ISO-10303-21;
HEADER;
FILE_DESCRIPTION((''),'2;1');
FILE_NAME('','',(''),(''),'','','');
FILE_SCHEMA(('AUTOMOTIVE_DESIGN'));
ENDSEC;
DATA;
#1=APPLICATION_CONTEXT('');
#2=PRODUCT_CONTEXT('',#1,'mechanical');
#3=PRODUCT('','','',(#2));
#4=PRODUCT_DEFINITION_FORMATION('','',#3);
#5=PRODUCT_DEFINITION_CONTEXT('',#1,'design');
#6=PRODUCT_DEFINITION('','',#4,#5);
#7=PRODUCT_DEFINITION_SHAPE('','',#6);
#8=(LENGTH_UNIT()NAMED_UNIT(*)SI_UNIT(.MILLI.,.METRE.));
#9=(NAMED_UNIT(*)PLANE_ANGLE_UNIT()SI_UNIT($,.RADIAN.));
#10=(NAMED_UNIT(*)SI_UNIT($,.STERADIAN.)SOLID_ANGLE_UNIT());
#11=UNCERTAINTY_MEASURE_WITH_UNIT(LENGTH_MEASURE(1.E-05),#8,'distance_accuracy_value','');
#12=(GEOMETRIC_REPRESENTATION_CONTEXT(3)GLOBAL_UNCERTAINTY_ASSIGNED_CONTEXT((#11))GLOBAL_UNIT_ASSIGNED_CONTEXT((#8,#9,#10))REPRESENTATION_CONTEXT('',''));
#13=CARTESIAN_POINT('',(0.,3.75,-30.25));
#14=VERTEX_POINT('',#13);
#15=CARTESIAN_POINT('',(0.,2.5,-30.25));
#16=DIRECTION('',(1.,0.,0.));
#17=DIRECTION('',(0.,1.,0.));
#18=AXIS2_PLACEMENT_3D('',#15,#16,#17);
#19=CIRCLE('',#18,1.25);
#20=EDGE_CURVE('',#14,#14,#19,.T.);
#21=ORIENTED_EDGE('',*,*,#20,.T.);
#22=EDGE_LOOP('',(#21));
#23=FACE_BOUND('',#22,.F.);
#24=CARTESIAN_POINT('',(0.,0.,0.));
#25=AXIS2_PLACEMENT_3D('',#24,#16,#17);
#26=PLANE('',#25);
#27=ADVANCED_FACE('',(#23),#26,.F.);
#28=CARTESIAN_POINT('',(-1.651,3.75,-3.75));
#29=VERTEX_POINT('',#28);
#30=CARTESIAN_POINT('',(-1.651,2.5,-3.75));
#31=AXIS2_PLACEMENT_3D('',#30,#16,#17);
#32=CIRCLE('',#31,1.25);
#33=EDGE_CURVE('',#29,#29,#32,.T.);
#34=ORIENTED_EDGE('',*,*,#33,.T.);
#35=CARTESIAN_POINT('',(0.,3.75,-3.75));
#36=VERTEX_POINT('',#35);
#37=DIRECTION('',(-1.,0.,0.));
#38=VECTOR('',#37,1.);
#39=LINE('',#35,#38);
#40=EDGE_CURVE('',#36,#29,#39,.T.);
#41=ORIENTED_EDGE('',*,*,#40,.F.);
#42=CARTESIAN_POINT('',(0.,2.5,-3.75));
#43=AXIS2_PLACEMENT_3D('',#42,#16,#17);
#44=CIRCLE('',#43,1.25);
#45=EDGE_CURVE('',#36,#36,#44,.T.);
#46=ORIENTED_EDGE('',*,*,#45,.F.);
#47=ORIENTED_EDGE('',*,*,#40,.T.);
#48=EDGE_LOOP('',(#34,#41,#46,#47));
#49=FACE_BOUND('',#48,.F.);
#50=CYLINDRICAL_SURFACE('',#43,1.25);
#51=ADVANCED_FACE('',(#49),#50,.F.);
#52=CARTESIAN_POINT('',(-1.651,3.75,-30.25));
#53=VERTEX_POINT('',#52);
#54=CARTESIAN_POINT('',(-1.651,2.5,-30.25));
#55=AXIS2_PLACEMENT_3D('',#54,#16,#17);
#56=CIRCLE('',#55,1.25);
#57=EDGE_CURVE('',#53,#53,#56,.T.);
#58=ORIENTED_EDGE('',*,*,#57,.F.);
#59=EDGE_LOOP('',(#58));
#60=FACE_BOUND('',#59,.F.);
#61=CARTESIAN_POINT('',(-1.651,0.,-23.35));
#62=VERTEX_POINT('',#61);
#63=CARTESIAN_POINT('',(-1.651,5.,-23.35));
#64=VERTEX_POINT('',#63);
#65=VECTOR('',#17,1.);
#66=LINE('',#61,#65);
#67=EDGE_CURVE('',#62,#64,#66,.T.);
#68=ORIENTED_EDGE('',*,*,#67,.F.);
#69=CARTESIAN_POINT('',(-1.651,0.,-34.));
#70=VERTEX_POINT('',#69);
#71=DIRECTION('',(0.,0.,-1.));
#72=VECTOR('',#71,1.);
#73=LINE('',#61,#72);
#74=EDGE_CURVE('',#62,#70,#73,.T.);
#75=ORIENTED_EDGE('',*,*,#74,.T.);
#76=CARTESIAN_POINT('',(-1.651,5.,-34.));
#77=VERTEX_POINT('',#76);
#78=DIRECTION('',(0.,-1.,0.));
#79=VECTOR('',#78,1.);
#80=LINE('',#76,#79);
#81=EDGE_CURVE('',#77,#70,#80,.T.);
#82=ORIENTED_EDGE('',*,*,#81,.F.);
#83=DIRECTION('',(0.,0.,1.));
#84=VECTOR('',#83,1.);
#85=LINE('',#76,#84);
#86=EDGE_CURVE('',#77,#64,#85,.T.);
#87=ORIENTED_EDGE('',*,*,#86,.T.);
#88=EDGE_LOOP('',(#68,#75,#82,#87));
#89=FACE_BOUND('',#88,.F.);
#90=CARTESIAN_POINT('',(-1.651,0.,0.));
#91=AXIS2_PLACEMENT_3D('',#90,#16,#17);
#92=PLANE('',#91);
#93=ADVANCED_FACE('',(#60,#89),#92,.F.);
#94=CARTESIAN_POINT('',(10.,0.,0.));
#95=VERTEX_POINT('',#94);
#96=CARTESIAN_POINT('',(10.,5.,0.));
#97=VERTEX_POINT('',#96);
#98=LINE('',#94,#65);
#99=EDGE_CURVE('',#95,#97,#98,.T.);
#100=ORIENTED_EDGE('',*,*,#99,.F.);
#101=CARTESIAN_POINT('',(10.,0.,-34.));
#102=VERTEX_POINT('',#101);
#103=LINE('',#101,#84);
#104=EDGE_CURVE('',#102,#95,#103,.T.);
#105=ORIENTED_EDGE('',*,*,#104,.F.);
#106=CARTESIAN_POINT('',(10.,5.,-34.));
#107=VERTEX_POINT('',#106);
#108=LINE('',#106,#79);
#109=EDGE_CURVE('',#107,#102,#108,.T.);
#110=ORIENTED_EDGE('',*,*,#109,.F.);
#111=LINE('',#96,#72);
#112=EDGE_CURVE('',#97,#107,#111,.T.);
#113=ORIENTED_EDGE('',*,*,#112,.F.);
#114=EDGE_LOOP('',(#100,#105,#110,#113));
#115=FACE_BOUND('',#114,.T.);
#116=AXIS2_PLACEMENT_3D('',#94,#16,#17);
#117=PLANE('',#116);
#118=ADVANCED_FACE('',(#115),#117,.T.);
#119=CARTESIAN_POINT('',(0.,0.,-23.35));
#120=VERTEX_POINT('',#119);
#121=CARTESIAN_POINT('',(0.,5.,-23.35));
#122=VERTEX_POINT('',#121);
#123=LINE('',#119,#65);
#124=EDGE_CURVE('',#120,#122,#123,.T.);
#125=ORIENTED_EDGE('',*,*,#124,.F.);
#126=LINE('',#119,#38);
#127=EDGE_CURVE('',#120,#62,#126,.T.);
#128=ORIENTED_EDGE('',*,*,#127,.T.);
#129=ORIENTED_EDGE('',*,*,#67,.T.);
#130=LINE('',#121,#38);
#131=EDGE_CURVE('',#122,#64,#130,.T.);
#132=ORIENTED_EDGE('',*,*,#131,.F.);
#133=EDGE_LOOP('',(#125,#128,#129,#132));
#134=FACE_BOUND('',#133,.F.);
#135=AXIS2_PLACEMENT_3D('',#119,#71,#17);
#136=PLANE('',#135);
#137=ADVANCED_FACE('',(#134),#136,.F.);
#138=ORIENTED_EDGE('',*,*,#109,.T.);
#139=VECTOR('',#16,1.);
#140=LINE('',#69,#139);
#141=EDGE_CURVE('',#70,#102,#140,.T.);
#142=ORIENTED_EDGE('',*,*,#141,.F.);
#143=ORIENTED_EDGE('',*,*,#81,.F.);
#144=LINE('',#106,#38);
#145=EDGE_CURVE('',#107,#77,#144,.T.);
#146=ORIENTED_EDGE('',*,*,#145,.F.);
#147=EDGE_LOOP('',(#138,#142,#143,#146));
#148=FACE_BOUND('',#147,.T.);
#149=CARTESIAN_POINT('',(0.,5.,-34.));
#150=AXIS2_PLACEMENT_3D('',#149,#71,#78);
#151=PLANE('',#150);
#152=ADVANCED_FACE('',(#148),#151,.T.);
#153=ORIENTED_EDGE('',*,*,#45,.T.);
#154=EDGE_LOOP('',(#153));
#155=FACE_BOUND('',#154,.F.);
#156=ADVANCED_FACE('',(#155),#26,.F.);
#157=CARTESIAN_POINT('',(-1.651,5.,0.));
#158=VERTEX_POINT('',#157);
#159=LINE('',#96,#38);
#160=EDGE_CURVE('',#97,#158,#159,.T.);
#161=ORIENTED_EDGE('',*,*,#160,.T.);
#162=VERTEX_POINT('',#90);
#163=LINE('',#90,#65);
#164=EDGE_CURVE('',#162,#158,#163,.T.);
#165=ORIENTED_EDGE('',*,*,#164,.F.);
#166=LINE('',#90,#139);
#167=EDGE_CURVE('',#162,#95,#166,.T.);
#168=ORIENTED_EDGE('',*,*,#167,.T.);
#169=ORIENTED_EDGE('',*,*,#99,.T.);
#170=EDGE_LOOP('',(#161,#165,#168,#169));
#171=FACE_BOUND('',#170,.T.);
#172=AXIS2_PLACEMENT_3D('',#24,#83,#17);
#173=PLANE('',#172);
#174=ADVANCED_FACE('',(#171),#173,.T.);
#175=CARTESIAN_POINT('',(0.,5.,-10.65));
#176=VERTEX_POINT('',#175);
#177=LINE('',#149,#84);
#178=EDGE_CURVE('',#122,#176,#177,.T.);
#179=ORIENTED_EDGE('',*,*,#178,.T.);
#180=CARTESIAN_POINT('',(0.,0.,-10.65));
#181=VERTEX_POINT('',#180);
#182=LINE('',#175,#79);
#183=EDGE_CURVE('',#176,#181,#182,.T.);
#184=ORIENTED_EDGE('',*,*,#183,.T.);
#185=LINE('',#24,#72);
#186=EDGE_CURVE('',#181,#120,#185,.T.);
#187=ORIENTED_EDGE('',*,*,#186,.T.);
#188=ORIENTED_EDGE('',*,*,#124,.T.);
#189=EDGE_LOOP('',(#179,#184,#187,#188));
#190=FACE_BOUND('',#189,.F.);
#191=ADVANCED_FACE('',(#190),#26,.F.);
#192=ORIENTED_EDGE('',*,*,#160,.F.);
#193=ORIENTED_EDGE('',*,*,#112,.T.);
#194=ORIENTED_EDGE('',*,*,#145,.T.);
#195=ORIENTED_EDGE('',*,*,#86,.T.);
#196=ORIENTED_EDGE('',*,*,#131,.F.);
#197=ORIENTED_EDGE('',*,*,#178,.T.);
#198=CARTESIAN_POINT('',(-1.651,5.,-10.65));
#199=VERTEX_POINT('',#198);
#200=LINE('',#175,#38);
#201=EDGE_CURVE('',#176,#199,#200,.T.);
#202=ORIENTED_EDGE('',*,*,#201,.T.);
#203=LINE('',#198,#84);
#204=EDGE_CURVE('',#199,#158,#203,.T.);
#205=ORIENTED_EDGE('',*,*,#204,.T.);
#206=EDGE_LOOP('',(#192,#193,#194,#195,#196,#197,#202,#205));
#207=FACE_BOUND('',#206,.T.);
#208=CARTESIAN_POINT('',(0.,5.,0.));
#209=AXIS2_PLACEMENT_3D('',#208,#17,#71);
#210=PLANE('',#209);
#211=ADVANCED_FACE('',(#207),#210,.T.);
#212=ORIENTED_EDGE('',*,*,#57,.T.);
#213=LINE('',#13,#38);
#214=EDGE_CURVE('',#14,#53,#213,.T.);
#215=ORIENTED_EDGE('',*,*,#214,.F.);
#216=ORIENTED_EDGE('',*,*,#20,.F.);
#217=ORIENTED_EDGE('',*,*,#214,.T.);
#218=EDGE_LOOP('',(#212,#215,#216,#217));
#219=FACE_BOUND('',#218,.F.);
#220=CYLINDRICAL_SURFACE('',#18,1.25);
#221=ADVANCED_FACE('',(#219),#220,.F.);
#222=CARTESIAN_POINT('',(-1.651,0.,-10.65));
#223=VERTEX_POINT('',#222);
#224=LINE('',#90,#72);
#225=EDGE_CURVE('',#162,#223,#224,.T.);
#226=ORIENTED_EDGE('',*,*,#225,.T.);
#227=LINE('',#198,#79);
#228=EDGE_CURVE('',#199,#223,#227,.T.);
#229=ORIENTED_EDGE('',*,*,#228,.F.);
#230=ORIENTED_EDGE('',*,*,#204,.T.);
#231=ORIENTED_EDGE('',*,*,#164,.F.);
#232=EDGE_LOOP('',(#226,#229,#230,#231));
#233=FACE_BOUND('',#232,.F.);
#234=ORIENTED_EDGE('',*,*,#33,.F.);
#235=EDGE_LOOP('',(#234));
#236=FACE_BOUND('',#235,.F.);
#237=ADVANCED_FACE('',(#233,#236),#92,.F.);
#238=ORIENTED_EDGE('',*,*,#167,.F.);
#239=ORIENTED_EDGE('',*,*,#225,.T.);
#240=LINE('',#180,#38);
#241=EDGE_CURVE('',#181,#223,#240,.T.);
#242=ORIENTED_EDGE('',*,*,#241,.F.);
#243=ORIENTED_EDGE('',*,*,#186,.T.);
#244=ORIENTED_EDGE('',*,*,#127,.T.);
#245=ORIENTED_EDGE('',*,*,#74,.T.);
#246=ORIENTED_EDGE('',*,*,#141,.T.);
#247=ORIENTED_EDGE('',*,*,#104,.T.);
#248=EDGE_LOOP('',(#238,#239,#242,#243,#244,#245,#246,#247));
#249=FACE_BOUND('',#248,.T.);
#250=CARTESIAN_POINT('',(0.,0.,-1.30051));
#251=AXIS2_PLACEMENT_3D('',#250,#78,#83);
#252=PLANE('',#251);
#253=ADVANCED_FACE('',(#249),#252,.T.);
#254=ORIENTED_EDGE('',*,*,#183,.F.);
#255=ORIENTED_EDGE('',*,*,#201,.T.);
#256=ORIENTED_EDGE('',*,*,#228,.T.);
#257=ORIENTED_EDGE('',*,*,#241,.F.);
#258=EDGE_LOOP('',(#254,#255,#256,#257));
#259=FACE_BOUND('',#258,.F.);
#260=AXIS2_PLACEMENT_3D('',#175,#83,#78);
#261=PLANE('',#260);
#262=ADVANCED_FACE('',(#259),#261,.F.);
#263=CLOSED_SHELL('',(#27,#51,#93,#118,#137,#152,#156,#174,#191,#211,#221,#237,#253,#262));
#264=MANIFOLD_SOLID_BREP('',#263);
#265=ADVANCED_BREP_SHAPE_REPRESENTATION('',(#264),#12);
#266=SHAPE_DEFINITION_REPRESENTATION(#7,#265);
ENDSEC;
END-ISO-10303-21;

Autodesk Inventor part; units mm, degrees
ref_plane "YZ Plane" through (0, 0, 0) normal (1, 0, 0) x (0, 1, 0)
ref_plane "XZ Plane" through (0, 0, 0) normal (0, 1, 0) x (-1, 0, 0)
ref_plane "XY Plane" through (0, 0, 0) normal (0, 0, 1) x (1, 0, 0)
sketch "スケッチ1" plane through (0, 0, 0) normal (1, 0, 0) x (0, 1, 0)
  line L0 (0, 0) -> (5, 0)
  line L1 (5, 0) -> (5, -34)
  line L2 (5, -34) -> (0, -34)
  line L3 (0, -34) -> (0, 0)
  circle A0 centre (2.5, -3.75) radius 1.25
  line L4 (0, -7.5) -> (5, -7.5)
  line L5 (5, -7.5) -> (5, -26.5)
  line L6 (5, -26.5) -> (0, -26.5)
  line L7 (0, -26.5) -> (0, -7.5)
  circle A1 centre (2.5, -3.75) radius 3.5
  line L8 (0, -17) -> (5, -17)
  circle A2 centre (2.5, -30.25) radius 1.25
  line L9 (5, -10.65) -> (0, -10.65)
  line L10 (0, -10.65) -> (0, -23.35)
  line L11 (0, -23.35) -> (5, -23.35)
  line L12 (5, -23.35) -> (5, -10.65)
  dimension "d0" = 5
  dimension "d1" = 34
  dimension "d2" = 2.5
  dimension "d4" = 5
  dimension "d5" = 19
  dimension "d6" = 7.5
  dimension "d7" = 3.75
  dimension "d8" = 2.5
  dimension "d9" = 7
  dimension "d19" = 5
  dimension "d20" = 12.7
  dimension "d21" = 6.35
extrude "押し出し1" add sketch "スケッチ1" along normal blind 10 contours L0 L1 A1 L3 | A1 L1 L3 | A1 L1 L4 L3 | L4 L1 L9 L3 | L9 L1 L8 L3 | L8 L1 L11 L3 | L11 L1 L6 L3 | L6 L1 L2 L3 | A0 | A2
extrude "押し出し2" add sketch "スケッチ1" against normal blind 1.651 contours L0 L1 A1 L3 | A1 L1 L3 | A1 L1 L4 L3 | L4 L1 L9 L3 | L11 L1 L6 L3 | L6 L1 L2 L3
thread "ねじ1" size "M2.5x0.45" class "6H" standard "ANSI Metric M Profile" full length
thread "ねじ2" size "M2.5x0.45" class "6H" standard "ANSI Metric M Profile" full length
properties part number "belt_liner_v1_Plate_15" material "アルミニウム 6061"
